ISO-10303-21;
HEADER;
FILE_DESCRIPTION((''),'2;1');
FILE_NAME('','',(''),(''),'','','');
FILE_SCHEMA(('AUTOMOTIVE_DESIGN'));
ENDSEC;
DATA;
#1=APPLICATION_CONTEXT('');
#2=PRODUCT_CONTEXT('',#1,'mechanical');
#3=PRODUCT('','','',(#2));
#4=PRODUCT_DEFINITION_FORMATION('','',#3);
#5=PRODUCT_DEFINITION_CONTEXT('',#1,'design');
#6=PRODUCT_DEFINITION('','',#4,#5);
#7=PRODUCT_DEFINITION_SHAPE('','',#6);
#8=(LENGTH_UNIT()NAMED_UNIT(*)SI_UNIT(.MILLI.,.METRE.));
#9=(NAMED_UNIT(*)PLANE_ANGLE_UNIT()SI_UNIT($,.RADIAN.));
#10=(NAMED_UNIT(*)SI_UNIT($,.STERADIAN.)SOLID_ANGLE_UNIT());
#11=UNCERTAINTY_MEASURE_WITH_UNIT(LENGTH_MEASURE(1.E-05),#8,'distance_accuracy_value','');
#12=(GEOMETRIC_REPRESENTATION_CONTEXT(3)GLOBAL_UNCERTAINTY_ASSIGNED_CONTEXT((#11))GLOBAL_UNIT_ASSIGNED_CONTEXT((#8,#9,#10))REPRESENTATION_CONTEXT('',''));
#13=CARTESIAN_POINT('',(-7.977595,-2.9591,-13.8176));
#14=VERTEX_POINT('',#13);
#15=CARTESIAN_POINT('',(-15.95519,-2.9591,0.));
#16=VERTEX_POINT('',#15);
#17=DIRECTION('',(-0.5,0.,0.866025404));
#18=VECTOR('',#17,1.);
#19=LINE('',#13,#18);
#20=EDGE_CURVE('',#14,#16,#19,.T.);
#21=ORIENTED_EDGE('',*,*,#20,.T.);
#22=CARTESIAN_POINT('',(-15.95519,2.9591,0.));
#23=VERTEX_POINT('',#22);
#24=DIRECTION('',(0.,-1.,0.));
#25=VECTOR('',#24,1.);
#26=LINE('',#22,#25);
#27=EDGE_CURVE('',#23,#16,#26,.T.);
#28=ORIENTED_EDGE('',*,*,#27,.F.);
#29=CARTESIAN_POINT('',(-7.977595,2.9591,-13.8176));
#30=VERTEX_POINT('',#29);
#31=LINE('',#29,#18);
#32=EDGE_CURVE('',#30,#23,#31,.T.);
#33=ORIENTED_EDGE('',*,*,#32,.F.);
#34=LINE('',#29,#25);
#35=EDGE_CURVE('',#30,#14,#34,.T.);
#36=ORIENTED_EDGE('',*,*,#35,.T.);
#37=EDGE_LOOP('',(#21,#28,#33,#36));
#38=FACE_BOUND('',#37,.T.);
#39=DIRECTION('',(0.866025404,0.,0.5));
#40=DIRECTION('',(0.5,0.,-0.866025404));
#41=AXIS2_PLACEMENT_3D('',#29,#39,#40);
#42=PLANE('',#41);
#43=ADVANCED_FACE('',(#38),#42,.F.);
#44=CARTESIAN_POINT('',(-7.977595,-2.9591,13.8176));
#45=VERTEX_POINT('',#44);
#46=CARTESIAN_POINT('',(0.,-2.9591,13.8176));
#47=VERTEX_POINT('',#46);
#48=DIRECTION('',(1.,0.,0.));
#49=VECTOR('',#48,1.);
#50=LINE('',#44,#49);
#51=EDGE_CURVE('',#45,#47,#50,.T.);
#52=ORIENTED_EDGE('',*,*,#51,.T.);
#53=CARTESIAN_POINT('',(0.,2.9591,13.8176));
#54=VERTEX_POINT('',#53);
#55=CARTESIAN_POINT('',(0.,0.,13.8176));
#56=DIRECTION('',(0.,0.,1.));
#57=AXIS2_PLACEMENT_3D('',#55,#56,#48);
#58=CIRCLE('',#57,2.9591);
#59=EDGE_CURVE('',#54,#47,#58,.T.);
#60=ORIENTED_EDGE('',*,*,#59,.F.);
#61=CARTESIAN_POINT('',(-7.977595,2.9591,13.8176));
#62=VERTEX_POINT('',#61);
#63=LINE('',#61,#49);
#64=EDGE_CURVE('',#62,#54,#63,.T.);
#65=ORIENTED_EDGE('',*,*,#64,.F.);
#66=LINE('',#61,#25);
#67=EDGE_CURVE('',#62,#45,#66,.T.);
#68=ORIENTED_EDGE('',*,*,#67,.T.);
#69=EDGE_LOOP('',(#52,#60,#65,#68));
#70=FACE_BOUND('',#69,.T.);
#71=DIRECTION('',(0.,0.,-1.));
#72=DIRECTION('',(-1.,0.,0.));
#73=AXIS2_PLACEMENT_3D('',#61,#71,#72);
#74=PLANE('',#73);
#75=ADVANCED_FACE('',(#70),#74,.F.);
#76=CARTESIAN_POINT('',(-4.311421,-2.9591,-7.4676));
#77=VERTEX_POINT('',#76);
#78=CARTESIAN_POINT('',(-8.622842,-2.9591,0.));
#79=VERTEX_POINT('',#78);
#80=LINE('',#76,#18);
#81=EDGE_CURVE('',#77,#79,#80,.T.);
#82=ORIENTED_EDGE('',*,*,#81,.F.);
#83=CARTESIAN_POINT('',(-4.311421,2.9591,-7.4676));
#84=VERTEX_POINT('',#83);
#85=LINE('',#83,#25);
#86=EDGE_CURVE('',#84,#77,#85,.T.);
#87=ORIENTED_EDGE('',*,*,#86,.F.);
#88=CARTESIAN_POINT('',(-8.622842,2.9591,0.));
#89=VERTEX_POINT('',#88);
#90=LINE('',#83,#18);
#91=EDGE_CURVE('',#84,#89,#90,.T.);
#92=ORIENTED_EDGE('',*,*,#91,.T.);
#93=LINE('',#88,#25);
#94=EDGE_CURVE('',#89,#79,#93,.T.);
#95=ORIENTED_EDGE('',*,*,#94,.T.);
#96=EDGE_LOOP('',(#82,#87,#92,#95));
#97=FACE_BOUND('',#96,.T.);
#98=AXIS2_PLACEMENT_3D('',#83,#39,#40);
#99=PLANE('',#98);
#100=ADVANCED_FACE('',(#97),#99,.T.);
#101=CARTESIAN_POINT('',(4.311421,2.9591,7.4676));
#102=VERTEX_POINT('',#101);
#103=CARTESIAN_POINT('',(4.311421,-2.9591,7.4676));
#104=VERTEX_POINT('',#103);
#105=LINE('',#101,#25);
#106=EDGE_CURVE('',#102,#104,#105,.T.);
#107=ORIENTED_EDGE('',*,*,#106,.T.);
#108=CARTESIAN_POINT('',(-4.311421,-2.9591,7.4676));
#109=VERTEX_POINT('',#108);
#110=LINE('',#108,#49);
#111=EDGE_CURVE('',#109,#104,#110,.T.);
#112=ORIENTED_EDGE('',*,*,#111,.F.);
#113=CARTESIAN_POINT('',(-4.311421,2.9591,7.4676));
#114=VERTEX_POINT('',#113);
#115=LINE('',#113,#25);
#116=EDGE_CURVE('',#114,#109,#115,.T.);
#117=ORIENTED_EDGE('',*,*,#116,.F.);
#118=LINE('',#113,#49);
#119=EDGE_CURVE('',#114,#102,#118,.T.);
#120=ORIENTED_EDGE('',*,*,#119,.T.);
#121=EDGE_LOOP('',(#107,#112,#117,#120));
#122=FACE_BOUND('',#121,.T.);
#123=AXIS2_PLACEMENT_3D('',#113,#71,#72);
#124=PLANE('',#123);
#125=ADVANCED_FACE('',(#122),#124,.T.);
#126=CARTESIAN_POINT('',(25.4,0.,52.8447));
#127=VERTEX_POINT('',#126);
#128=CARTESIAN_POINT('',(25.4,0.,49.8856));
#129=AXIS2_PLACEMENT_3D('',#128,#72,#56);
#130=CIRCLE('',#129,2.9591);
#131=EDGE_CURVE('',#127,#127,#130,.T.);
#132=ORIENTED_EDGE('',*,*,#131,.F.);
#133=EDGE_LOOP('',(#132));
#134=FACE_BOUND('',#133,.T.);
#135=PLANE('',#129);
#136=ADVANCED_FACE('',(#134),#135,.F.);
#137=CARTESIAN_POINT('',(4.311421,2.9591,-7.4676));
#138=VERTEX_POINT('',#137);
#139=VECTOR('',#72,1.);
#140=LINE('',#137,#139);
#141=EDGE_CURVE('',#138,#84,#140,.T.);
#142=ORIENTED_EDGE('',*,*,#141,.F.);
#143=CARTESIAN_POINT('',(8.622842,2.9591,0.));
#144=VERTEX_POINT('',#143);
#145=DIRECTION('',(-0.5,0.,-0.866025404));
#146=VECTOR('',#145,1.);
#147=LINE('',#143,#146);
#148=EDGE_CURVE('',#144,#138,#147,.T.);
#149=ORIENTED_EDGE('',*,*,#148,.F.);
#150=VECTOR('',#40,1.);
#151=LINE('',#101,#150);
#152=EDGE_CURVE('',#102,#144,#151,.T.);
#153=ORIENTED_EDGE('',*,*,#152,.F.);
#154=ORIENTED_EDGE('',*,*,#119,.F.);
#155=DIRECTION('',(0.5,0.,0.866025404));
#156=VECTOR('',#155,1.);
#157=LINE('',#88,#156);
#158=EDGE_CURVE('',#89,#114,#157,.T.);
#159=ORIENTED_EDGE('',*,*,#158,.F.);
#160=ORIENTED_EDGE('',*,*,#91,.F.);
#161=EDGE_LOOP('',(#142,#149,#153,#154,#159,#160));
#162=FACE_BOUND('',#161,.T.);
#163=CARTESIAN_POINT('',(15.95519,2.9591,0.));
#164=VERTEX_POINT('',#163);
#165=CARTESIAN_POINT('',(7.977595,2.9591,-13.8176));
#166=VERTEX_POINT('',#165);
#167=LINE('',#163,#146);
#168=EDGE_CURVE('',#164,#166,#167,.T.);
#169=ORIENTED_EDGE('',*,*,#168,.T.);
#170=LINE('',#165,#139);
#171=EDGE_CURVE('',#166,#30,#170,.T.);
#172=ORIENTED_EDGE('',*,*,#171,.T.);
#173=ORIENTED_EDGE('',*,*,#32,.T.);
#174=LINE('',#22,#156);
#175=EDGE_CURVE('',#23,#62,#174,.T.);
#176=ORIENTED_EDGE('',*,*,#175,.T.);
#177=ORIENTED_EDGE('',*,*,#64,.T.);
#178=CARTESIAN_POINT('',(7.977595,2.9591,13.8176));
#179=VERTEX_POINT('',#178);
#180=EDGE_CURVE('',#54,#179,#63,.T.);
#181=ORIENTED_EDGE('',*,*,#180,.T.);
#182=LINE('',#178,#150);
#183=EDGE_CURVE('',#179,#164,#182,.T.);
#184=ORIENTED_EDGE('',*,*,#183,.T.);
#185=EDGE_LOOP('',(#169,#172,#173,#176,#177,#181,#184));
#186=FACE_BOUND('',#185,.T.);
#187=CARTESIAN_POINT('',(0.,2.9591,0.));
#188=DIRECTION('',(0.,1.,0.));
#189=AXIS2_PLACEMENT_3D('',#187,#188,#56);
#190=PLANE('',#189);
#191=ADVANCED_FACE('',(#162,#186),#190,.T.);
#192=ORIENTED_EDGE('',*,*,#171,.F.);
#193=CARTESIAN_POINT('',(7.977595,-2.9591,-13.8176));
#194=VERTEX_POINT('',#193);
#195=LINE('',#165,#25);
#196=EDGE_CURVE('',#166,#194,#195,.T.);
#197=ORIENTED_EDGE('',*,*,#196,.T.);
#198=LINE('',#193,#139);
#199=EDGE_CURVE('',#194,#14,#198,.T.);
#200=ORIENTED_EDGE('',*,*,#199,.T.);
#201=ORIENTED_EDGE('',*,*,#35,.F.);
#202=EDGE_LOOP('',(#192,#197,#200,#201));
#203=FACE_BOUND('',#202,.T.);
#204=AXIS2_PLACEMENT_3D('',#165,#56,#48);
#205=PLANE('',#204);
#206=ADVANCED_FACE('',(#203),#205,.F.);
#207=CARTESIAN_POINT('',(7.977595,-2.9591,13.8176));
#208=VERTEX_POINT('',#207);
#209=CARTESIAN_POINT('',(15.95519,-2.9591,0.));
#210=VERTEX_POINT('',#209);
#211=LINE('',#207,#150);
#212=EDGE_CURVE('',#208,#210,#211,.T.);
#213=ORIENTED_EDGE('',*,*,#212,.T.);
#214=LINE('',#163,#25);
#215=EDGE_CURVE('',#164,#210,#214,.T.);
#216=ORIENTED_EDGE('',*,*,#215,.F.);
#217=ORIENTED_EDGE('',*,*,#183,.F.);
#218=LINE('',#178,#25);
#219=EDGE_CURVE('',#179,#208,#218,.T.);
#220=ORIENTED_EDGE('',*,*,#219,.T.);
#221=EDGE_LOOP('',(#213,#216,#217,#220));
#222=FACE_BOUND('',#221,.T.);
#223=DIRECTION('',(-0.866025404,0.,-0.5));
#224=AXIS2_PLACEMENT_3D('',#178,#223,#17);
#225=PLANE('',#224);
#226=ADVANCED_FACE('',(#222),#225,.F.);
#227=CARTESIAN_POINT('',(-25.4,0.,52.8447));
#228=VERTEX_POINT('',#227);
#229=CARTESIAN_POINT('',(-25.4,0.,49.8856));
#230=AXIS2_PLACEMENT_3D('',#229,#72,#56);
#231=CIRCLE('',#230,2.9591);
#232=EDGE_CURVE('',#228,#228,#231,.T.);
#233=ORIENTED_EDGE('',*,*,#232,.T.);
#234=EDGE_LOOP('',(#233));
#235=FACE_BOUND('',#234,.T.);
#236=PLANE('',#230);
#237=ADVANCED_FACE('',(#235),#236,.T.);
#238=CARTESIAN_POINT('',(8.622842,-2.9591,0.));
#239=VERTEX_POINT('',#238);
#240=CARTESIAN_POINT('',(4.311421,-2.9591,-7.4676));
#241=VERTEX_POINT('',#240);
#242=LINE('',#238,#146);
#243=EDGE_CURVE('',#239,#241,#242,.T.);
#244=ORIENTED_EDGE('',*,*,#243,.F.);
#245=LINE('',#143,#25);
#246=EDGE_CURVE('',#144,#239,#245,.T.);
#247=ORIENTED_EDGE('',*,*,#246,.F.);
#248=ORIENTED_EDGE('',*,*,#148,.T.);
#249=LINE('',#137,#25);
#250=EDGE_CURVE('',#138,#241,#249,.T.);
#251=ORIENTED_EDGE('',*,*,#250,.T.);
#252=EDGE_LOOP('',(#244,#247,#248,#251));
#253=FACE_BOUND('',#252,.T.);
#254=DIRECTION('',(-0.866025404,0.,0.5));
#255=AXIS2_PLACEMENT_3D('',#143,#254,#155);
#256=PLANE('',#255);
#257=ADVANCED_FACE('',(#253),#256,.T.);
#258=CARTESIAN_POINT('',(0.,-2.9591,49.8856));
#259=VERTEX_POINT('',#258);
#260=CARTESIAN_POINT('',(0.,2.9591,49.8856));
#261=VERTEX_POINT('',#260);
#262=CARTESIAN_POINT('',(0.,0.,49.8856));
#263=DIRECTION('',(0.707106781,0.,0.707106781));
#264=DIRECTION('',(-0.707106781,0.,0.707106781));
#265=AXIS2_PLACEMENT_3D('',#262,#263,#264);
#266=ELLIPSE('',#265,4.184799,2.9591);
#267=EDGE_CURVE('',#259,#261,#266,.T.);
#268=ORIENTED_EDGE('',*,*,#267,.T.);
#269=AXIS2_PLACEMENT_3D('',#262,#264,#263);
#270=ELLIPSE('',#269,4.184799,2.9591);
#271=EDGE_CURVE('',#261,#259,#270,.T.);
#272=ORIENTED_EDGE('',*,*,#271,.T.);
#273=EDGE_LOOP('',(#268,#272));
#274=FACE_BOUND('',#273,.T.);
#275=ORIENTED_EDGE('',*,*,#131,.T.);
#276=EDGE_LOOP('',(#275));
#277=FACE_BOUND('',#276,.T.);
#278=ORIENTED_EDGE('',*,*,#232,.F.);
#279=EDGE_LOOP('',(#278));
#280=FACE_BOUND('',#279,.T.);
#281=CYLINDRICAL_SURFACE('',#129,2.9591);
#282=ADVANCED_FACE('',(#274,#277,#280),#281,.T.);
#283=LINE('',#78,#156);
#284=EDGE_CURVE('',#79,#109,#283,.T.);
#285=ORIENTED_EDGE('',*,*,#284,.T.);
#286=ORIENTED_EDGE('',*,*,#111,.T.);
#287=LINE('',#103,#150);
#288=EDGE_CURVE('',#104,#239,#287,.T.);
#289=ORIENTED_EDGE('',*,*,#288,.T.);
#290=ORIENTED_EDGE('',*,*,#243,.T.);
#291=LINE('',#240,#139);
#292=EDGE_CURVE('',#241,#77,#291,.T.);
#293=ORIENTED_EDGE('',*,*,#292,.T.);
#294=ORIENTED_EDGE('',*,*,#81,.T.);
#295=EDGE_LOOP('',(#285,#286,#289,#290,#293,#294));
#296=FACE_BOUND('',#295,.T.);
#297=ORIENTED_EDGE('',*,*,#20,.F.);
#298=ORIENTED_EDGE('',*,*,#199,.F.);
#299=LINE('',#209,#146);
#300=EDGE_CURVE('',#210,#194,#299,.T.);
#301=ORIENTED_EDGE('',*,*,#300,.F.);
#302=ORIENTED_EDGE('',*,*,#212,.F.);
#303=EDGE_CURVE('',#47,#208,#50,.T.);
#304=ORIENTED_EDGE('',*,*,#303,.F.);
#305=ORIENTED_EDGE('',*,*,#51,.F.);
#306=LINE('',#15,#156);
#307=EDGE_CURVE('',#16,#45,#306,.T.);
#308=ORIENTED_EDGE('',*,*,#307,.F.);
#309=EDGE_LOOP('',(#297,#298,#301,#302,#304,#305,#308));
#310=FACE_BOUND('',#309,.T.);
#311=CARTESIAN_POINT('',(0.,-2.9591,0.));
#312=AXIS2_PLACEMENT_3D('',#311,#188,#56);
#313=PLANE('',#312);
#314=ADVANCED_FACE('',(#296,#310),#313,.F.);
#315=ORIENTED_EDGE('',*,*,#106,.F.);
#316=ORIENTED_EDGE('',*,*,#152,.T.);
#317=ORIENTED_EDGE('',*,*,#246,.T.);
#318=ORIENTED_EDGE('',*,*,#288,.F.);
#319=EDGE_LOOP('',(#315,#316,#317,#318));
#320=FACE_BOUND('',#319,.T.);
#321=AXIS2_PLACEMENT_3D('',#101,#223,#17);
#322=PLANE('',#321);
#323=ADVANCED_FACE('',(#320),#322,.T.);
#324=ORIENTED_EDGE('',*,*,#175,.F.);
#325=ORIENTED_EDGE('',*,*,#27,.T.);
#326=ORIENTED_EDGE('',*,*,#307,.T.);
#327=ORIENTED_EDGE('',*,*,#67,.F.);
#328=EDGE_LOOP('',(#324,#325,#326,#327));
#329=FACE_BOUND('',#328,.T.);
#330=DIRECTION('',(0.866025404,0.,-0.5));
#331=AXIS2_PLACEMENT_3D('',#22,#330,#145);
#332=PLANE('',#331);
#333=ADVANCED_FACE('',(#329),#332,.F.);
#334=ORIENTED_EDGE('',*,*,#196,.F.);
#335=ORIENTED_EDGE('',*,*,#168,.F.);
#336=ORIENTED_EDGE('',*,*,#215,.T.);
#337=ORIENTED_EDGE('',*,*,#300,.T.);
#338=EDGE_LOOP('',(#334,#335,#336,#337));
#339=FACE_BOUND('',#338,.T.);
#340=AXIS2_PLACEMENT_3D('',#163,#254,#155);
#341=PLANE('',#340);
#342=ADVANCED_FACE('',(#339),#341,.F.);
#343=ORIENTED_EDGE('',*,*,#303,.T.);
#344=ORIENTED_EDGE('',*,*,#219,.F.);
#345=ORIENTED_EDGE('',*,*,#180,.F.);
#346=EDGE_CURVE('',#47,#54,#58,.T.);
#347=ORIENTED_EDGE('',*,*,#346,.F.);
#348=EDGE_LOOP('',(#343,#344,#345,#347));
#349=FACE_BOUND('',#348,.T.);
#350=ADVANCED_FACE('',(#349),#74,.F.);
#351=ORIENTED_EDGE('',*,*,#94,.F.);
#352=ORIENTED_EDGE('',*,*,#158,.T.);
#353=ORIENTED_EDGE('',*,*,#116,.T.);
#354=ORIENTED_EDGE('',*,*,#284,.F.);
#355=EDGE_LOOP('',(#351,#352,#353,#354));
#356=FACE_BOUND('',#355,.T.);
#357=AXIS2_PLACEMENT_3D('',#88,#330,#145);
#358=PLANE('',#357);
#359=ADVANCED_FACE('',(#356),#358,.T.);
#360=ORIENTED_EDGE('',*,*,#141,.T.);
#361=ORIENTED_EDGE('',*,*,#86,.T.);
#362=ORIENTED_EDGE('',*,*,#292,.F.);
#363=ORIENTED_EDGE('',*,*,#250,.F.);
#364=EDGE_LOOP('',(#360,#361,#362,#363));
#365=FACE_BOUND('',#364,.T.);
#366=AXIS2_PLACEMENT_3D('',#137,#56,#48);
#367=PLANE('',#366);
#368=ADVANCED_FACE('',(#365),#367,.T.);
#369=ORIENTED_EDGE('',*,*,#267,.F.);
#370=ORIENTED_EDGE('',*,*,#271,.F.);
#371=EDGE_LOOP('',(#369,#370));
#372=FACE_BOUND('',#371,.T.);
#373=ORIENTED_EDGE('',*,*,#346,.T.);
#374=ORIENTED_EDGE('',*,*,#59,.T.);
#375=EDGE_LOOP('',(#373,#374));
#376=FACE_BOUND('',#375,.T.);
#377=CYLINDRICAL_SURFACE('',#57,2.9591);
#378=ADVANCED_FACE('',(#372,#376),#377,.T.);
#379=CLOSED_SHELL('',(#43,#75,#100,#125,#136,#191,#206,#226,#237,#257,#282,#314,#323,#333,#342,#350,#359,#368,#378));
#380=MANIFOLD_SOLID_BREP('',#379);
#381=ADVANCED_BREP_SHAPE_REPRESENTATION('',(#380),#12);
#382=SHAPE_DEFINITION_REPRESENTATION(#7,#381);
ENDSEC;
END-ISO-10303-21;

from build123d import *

# Parameters (mm, degrees)
BOSS_EXTRUDE1_DEPTH = 2.9591
SWEEP1_PROFILE_R    = 2.9591
SWEEP2_PROFILE_R    = 2.9591


with BuildPart() as part:
    # Sketch1 → Boss-Extrude1 (new, symmetric)
    with BuildSketch(Plane(origin=(0, 0, 0), x_dir=(1, 0, 0), z_dir=(0, 1, 0))):
        Polygon((7.97759508, 13.8176), (-7.97759508, 13.8176), (-15.955190159, 0), (-7.97759508, -13.8176), (7.97759508, -13.8176), (15.955190159, 0), align=None)
        Polygon((8.62284174, 0), (4.31142087, 7.4676), (-4.31142087, 7.4676), (-8.62284174, 0), (-4.31142087, -7.4676), (4.31142087, -7.4676), align=None, mode=Mode.SUBTRACT)
    extrude(amount=BOSS_EXTRUDE1_DEPTH, both=True)

    # Sweep1: sweep along a path in Sketch6
    with BuildLine(Plane(origin=(0, 0, 0), x_dir=(1, 0, 0), z_dir=(0, 1, 0))) as sweep1_path:
        Line((0, -13.8176), (0, -49.8856))
    # Sweep1 profile (on start of the path) → Sweep1 (sweep)
    with BuildSketch(Plane.XY.offset(13.8176)):
        Circle(SWEEP1_PROFILE_R)
    sweep(path=sweep1_path.line)

    # Sweep2: sweep along a path in Sketch6<4>
    with BuildLine(Plane(origin=(0, 0, 0), x_dir=(1, 0, 0), z_dir=(0, 1, 0))) as sweep2_path:
        Line((25.4, -49.8856), (-25.4, -49.8856))
    # Sweep2 profile (on start of the path) → Sweep2 (sweep)
    with BuildSketch(Plane(origin=(25.4, 0, 49.8856), x_dir=(0, 0, -1), z_dir=(-1, 0, 0))):
        Circle(SWEEP2_PROFILE_R)
    sweep(path=sweep2_path.line)


solid = part.part
